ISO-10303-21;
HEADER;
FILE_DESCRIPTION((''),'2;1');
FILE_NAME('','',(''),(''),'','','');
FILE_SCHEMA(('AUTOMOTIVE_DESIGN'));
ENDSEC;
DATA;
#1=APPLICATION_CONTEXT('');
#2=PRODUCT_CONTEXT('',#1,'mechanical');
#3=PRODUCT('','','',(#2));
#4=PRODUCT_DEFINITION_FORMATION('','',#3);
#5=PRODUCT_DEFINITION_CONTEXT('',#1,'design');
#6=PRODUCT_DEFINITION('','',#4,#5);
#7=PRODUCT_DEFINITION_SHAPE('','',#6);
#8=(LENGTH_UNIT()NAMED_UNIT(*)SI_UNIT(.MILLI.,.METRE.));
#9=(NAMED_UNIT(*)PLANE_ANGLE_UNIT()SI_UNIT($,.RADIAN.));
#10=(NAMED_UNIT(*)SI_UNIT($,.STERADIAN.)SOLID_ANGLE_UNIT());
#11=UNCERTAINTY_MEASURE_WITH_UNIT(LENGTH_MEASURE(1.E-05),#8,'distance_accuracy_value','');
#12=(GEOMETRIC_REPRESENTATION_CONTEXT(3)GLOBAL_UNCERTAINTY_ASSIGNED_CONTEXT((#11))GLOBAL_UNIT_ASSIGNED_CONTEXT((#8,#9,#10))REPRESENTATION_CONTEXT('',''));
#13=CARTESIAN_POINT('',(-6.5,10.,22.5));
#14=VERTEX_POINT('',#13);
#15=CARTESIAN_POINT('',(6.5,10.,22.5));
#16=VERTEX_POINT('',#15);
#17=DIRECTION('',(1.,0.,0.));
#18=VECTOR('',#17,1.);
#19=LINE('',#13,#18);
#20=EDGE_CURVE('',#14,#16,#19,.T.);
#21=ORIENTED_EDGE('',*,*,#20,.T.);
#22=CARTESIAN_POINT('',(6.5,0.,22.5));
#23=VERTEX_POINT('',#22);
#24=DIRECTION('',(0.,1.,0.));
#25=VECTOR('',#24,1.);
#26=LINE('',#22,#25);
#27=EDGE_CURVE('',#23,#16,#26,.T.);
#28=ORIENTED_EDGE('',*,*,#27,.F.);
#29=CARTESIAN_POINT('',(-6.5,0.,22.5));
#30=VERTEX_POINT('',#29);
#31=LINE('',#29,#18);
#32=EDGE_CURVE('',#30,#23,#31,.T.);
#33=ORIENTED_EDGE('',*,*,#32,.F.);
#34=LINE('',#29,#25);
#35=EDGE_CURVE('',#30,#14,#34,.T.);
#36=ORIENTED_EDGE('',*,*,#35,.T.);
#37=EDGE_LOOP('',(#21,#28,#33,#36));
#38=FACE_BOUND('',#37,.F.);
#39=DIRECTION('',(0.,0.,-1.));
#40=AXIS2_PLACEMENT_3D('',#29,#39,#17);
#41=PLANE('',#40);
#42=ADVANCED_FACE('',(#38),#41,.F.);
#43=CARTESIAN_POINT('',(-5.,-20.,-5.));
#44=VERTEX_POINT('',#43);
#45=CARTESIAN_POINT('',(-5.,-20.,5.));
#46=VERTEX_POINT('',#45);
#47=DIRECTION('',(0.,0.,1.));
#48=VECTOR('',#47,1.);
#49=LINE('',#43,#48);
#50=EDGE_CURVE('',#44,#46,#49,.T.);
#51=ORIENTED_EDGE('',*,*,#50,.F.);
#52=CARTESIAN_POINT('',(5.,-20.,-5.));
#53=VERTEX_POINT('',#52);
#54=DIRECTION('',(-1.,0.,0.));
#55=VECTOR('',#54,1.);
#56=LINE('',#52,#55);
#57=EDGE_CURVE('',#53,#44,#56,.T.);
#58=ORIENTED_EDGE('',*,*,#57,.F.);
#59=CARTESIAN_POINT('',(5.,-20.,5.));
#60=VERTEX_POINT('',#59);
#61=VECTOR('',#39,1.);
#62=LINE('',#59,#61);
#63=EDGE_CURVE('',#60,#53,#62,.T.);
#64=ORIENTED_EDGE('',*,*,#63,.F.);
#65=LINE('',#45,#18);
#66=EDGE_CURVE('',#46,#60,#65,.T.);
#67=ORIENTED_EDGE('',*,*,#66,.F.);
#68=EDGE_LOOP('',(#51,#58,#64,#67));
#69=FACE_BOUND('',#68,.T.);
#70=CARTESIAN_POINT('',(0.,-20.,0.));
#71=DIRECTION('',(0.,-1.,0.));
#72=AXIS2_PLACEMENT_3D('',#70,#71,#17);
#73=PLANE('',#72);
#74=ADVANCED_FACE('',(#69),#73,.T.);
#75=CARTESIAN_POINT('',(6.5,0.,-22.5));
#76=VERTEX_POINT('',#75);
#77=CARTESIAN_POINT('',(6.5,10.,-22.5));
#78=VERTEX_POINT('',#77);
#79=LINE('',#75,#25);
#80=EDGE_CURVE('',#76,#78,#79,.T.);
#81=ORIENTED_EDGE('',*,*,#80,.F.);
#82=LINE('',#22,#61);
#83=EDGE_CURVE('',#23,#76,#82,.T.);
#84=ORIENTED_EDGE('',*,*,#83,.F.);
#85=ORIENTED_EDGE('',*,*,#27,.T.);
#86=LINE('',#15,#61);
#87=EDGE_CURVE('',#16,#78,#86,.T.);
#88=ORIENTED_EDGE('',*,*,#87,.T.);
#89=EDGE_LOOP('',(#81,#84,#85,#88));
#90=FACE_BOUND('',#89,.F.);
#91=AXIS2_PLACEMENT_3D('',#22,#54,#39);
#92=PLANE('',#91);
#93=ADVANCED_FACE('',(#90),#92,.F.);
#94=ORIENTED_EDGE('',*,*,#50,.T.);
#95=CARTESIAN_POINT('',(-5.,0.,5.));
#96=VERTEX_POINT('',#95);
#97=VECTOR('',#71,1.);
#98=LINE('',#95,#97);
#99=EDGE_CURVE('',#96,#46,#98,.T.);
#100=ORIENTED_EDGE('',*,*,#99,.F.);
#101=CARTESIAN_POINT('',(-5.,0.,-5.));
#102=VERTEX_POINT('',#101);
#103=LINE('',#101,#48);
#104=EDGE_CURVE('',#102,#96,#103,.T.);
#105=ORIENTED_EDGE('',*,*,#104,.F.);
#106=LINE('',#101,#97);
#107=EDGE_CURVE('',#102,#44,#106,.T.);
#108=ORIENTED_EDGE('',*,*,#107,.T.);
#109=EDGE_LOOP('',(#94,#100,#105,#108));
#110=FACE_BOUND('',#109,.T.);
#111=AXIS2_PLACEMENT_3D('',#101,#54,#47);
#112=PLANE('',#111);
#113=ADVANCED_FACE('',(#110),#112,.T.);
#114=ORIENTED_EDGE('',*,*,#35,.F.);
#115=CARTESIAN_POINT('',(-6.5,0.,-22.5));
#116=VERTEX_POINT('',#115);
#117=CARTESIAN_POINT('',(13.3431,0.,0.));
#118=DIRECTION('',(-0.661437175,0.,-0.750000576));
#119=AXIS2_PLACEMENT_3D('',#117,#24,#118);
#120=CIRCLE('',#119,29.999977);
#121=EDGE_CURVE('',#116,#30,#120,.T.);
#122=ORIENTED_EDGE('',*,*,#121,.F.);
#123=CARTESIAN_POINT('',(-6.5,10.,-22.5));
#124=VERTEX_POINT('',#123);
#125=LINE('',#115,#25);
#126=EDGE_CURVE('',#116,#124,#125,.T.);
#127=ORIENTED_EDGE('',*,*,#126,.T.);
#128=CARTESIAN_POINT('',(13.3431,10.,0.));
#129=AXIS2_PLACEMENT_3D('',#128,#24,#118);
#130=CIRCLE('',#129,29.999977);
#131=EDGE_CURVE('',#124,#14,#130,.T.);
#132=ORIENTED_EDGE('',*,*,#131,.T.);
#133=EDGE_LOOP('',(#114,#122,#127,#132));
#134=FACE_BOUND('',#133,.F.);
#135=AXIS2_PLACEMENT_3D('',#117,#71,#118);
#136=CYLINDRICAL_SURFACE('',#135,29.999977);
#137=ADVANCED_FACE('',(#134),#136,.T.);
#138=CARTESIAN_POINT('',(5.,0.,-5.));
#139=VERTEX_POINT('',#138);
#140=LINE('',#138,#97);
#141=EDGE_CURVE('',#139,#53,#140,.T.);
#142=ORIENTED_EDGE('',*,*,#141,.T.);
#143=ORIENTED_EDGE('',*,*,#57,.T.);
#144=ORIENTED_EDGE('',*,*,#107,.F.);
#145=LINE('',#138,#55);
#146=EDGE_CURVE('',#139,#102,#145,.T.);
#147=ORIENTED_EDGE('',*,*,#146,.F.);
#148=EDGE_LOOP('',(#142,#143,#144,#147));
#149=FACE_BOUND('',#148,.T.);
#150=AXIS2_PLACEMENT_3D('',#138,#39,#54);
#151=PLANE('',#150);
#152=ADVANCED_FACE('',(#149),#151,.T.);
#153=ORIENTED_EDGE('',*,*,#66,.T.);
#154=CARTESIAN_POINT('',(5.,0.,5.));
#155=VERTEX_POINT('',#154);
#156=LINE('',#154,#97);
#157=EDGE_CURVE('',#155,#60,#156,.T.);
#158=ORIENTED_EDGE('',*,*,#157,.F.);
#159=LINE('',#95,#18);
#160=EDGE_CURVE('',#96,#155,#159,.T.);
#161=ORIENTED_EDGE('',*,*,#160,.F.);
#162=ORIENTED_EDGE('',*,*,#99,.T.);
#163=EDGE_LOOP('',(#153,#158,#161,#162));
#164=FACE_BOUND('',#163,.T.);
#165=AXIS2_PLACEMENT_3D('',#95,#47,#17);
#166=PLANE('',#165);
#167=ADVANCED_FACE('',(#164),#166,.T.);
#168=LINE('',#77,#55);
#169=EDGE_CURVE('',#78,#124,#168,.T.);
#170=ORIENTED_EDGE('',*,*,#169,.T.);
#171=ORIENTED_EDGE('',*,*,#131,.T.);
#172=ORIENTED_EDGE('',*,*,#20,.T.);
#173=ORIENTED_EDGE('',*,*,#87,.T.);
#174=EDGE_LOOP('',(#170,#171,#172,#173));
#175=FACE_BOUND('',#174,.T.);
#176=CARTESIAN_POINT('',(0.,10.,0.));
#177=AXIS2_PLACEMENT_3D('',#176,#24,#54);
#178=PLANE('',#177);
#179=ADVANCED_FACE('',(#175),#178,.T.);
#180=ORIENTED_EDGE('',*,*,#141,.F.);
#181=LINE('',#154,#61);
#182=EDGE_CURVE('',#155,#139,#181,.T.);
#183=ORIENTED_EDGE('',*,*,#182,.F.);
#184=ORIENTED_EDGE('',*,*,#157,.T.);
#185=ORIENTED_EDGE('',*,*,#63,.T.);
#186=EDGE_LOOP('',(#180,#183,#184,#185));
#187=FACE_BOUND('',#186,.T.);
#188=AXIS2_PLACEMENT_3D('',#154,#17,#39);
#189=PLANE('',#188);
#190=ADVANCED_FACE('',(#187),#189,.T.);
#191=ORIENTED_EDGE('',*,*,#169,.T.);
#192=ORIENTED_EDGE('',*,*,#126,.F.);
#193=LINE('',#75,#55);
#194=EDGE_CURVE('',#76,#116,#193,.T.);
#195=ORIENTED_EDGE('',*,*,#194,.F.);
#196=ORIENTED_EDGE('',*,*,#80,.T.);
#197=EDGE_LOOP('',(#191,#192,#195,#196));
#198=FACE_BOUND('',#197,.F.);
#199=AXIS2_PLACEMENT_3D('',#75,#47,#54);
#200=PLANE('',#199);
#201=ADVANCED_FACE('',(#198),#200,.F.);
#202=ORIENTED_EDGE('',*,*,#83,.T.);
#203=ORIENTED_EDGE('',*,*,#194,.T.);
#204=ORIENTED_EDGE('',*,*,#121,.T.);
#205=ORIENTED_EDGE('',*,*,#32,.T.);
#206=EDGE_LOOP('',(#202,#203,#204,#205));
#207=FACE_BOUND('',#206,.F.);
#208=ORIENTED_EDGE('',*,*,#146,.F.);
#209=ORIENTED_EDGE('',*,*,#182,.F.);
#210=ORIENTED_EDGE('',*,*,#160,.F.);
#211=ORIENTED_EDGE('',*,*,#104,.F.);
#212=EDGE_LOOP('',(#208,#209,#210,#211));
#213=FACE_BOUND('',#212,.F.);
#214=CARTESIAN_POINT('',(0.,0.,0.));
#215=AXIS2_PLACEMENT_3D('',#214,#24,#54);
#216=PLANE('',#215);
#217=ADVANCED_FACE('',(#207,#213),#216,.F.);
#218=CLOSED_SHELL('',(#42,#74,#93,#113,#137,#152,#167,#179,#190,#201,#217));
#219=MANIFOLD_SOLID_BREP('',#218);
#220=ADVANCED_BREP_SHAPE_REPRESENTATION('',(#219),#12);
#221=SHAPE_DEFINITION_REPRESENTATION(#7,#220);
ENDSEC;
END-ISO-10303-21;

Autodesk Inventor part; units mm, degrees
ref_plane "YZ Plane" through (0, 0, 0) normal (1, 0, 0) x (0, 1, 0)
ref_plane "XZ Plane" through (0, 0, 0) normal (0, 1, 0) x (-1, 0, 0)
ref_plane "XY Plane" through (0, 0, 0) normal (0, 0, 1) x (1, 0, 0)
sketch "Sketch1" plane through (0, 0, 0) normal (0, 1, 0) x (-1, 0, 0)
  line L0 (-5, 5) -> (5, 5) construction
  line L1 (5, 5) -> (5, -5) construction
  line L2 (5, -5) -> (-5, -5) construction
  line L3 (-5, -5) -> (-5, 5) construction
  line L4 (-5, 5) -> (5, -5) construction
  line L5 (5, 5) -> (-5, -5) construction
  line L6 (6.5, 22.5) -> (-6.5, 22.5)
  line L7 (-6.5, 22.5) -> (-6.5, -22.5)
  line L8 (-6.5, -22.5) -> (6.5, -22.5)
  line L9 (6.5, 22.5) -> (-6.5, -22.5) construction
  line L10 (-6.5, 22.5) -> (6.5, -22.5) construction
  arc A0 (6.5, -22.5) -> (6.5, 22.5) centre (-13.3431, 0) ccw
  point P0 (0, 0)
  dimension "d0" = 10
  dimension "d1" = 10
  dimension "d2" = 13
  dimension "d3" = 45
  dimension "d4" = 30
extrude "Extrusion1" add sketch "Sketch1" along normal blind 10
sketch "Sketch2" plane through (0, 0, 0) normal (0, -1, 0) x (1, 0, 0)
  line L0 (-5, 5) -> (5, 5)
  line L1 (5, 5) -> (5, -5)
  line L2 (5, -5) -> (-5, -5)
  line L3 (-5, -5) -> (-5, 5)
  line L4 (-5, 5) -> (5, -5) construction
  line L5 (5, 5) -> (-5, -5) construction
  point P0 (0, 0)
  dimension "d7" = 10
  dimension "d8" = 10
extrude "Extrusion2" add sketch "Sketch2" along normal blind 20
properties part number "holder"
